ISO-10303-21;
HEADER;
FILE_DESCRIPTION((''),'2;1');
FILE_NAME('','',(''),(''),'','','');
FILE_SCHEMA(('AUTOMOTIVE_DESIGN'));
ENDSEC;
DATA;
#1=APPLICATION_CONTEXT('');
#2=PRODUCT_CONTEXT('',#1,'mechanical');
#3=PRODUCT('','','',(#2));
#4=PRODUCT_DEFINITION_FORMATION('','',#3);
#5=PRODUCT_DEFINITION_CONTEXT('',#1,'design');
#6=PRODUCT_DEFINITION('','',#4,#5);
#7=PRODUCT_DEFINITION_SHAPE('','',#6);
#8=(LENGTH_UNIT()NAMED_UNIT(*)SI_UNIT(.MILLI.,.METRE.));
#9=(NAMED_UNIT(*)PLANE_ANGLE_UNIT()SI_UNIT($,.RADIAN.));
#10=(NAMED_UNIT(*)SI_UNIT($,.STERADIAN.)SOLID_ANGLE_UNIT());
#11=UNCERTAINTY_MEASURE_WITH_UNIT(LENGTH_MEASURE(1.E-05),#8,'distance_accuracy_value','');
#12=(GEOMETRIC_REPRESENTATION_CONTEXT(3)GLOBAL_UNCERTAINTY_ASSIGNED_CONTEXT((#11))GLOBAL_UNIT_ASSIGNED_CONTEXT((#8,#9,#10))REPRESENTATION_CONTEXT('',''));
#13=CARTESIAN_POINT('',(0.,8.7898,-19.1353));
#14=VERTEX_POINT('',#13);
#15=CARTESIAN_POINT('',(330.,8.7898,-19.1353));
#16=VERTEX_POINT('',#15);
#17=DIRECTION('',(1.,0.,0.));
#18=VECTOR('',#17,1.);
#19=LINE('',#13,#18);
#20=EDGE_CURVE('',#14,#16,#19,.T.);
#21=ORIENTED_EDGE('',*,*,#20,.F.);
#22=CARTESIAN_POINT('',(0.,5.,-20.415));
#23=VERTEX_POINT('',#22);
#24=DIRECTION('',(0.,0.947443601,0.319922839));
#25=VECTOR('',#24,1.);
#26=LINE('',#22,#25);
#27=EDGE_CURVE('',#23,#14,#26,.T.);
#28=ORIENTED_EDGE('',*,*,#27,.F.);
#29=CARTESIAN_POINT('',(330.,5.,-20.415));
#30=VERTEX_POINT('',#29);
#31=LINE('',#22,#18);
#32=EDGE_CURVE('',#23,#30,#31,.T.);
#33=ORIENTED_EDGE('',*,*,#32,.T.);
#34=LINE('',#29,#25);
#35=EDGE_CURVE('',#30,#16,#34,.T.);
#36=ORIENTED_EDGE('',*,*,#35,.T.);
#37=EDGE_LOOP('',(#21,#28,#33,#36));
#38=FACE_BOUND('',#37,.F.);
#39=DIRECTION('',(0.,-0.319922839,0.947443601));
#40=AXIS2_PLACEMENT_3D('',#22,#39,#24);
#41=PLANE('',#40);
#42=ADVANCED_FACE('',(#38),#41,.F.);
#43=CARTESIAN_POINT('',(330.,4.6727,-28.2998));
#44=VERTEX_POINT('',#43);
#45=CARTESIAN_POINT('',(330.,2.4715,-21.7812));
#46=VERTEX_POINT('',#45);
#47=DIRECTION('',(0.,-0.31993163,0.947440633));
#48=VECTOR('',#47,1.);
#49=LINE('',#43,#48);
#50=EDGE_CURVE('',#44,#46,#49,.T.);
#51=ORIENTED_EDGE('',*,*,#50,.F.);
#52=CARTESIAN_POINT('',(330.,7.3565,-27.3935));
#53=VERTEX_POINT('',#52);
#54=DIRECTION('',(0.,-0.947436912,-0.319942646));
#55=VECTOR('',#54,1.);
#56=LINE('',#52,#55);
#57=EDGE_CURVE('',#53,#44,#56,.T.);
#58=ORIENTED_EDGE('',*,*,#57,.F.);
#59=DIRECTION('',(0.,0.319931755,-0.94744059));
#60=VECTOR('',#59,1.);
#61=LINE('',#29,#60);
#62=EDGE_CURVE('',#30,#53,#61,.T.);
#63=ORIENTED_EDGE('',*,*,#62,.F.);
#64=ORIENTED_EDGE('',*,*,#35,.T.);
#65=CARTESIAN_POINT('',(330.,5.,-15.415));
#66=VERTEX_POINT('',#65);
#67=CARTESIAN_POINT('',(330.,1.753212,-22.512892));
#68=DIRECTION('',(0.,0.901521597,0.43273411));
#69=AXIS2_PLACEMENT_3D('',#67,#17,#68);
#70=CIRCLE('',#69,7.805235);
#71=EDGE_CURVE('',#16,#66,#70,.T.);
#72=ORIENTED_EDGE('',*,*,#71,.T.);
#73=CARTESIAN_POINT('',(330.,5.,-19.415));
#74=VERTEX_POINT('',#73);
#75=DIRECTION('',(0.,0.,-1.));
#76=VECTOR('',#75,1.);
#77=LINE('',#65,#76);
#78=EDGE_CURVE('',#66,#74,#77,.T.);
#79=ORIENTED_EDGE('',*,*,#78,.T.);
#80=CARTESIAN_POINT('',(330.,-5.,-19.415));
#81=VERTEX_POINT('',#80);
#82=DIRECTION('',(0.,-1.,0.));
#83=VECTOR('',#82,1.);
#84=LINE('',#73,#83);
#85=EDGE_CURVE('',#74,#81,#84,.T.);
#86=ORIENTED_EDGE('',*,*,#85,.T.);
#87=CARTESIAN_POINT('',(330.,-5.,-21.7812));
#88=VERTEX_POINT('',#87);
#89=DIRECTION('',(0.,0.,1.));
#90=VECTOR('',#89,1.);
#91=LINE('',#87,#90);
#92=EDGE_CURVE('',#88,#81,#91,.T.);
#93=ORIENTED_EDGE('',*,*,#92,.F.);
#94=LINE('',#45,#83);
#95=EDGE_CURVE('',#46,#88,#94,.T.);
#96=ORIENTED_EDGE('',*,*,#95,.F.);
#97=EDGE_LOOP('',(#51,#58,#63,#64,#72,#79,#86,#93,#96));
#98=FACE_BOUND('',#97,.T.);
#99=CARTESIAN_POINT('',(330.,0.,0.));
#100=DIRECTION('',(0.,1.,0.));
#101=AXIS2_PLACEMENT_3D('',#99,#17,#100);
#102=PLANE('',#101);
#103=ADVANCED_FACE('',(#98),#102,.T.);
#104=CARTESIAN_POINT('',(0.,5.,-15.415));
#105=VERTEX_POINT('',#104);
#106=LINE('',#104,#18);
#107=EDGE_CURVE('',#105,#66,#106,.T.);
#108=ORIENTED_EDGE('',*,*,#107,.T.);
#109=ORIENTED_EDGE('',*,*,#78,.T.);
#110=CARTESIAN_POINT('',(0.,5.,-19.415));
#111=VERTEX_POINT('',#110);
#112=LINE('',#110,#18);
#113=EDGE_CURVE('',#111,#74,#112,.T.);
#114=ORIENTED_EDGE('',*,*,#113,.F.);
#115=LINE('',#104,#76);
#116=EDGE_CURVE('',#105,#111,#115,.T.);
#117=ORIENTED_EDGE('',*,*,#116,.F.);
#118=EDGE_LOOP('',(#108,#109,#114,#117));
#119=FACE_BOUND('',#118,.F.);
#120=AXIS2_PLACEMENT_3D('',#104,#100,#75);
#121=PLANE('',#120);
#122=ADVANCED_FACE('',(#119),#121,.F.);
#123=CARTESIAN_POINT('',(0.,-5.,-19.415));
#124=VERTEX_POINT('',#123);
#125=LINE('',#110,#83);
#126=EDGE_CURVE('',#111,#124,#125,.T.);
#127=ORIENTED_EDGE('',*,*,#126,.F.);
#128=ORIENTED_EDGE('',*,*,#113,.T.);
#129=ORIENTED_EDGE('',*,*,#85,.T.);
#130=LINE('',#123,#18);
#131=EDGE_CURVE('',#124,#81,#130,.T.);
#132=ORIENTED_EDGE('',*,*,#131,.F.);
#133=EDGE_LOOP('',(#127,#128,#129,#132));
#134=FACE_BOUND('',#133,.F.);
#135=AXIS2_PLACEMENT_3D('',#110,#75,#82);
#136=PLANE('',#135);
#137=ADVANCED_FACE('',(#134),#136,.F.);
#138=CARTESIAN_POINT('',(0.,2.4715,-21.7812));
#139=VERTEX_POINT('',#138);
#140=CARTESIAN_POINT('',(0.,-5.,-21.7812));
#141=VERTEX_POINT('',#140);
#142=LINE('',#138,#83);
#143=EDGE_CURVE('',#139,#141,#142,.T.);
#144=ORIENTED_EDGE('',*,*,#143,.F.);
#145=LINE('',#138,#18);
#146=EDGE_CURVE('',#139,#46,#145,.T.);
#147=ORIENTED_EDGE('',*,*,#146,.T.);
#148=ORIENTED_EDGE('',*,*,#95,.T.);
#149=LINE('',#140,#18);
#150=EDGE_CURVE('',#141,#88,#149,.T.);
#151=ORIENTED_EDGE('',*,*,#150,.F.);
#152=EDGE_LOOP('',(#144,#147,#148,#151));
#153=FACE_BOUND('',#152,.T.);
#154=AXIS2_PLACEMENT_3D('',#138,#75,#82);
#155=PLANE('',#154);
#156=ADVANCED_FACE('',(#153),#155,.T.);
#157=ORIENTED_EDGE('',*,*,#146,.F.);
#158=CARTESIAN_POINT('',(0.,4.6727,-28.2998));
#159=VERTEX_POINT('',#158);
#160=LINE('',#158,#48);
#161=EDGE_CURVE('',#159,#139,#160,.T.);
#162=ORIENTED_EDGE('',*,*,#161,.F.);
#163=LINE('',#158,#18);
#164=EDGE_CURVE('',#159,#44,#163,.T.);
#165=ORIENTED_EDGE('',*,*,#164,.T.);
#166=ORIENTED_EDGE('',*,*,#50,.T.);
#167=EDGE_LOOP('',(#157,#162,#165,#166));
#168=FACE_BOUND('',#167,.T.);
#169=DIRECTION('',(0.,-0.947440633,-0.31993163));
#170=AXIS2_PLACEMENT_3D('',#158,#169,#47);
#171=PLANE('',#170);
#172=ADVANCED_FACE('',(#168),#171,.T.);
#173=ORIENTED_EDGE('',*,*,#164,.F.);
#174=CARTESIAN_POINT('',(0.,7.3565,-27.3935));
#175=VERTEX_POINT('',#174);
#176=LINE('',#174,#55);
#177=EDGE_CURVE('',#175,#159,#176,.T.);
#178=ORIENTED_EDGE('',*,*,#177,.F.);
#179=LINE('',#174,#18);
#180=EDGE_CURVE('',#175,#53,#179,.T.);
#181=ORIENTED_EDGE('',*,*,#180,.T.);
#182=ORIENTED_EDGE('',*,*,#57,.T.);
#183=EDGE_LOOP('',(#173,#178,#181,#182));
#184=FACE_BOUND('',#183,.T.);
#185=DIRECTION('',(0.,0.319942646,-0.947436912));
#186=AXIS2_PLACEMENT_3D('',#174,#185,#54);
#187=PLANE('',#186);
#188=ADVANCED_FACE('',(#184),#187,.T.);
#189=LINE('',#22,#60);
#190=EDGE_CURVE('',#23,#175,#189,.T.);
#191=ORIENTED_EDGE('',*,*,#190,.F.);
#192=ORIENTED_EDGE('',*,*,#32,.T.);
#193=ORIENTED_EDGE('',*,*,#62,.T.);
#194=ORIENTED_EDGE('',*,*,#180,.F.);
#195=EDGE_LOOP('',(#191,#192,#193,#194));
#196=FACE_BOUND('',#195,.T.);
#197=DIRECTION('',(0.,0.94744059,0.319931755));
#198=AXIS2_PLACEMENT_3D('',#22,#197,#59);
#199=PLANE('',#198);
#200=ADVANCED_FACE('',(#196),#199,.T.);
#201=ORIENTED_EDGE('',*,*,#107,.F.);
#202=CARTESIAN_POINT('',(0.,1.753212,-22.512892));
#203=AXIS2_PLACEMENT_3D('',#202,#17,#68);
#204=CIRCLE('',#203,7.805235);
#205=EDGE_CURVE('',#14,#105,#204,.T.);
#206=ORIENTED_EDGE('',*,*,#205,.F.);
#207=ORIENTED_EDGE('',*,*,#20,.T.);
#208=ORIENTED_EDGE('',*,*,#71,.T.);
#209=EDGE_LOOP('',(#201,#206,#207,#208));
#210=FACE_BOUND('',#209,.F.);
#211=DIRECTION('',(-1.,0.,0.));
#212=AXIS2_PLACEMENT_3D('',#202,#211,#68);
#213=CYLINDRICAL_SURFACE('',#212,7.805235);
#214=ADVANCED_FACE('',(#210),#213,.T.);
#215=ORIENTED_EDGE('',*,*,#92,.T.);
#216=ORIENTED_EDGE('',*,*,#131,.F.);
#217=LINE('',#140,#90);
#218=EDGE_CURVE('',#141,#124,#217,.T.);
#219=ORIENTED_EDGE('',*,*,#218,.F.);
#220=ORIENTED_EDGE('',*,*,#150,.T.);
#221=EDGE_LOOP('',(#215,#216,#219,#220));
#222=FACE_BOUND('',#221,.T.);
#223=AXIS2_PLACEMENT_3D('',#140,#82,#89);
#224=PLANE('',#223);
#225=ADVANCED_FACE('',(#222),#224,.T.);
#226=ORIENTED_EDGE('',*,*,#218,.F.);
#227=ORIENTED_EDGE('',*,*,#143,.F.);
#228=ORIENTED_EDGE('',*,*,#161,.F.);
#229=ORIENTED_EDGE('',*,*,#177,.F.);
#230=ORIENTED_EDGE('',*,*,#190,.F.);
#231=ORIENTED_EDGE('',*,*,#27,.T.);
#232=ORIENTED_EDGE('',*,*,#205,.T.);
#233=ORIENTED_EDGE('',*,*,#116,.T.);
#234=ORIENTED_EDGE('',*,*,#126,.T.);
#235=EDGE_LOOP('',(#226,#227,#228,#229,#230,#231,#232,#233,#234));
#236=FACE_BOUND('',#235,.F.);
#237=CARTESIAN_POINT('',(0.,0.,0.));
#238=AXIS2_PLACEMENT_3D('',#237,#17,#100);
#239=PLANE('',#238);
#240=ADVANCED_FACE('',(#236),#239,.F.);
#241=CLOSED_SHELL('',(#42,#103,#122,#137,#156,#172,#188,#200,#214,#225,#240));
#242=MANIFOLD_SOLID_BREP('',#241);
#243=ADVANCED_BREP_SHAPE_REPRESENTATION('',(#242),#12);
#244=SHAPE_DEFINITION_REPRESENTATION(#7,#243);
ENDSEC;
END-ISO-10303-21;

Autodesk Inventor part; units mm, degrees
ref_plane "YZ Plane" through (0, 0, 0) normal (1, 0, 0) x (0, 1, 0)
ref_plane "XZ Plane" through (0, 0, 0) normal (0, 1, 0) x (-1, 0, 0)
ref_plane "XY Plane" through (0, 0, 0) normal (0, 0, 1) x (1, 0, 0)
sketch "Sketch1" plane through (0, 0, 0) normal (1, 0, 0) x (0, 1, 0)
  line L0 (5, -15.415) -> (5, -19.415)
  line L1 (5, -19.415) -> (-5, -19.415)
  line L2 (5, -20.415) -> (8.7898, -19.1353)
  line L3 (5, -20.415) -> (7.3565, -27.3935)
  line L4 (7.3565, -27.3935) -> (4.6727, -28.2998)
  line L5 (4.6727, -28.2998) -> (2.4715, -21.7812)
  line L6 (2.4715, -21.7812) -> (-5, -21.7812)
  line L7 (-5, -21.7812) -> (-5, -19.415)
  arc A0 (8.7898, -19.1353) -> (5, -15.415) centre (1.7532, -22.5129) ccw
  point P0 (0, 0)
  point P1 (0, -20.415)
  dimension "d0" = 4
  dimension "d4" = 4
extrude "Extrusion1" add sketch "Sketch1" along normal blind 330
properties part number "junta controler"
